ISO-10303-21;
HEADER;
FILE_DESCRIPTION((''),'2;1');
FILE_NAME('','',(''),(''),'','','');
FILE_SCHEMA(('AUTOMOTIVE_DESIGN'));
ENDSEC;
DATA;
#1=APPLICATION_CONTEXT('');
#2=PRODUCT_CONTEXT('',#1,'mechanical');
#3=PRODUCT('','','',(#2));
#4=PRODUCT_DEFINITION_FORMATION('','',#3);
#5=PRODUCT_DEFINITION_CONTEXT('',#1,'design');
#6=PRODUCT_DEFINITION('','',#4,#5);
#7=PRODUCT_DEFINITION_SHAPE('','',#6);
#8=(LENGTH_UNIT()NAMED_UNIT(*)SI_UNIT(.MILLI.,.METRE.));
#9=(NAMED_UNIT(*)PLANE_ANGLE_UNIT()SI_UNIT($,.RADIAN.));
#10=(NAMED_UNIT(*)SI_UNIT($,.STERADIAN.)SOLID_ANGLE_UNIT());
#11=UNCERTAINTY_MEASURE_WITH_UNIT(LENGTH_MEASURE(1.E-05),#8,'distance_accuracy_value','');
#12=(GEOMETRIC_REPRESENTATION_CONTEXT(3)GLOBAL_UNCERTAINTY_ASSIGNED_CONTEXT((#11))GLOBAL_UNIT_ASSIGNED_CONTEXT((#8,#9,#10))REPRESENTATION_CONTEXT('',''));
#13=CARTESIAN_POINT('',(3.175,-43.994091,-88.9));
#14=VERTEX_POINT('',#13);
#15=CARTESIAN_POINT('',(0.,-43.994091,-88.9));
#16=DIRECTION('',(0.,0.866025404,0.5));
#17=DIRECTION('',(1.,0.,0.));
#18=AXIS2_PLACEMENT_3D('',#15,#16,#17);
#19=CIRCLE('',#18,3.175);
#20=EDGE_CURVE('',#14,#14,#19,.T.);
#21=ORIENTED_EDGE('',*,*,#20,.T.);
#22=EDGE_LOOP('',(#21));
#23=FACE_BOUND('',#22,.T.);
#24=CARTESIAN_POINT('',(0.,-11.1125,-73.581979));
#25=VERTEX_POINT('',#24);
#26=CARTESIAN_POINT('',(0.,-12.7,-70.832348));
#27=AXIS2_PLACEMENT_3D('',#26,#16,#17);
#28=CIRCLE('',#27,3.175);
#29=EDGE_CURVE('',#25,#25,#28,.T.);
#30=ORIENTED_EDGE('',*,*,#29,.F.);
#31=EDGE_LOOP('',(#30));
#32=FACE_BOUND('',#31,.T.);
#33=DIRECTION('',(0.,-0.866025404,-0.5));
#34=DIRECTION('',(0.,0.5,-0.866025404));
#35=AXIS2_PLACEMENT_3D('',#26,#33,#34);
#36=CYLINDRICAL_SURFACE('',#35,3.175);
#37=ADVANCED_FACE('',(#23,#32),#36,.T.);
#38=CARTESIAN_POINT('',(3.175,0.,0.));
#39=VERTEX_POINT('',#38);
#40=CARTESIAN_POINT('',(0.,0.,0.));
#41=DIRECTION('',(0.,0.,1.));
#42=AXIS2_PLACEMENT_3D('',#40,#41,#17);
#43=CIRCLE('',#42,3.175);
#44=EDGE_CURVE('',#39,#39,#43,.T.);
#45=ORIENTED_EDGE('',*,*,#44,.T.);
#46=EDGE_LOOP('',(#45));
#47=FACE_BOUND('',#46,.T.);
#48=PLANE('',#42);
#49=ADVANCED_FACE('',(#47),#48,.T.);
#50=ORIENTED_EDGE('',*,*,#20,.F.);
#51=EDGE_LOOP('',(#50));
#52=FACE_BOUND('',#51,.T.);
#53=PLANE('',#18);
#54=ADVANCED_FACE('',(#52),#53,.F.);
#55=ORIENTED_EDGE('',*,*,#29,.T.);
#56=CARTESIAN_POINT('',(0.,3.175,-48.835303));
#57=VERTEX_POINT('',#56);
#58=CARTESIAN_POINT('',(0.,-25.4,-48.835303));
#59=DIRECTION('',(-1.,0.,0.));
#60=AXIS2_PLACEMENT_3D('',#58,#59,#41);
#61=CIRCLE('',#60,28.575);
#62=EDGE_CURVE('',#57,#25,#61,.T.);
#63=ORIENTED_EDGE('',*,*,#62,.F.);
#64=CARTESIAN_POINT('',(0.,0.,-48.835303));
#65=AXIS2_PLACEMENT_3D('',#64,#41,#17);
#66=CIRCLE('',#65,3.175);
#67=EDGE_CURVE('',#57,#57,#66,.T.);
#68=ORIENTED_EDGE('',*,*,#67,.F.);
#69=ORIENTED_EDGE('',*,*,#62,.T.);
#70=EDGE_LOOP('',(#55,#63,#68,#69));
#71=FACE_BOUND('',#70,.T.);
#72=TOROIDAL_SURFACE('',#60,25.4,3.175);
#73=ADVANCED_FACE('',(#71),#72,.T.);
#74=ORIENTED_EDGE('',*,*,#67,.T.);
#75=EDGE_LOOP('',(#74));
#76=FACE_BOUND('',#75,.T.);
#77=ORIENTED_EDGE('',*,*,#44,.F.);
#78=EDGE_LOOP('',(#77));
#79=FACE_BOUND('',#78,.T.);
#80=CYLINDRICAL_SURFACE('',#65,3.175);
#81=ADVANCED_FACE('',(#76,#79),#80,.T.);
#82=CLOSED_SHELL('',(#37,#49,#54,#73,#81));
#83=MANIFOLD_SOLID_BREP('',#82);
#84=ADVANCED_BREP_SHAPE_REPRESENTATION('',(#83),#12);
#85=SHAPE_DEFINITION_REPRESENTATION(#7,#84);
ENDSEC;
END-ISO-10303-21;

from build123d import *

# Parameters (mm, degrees)
SKETCH2_R = 3.175


with BuildPart() as part:
    # Sweep1: sweep along a path in Sketch4
    with BuildLine(Plane(origin=(0, 0, 0), x_dir=(0, 0, -1), z_dir=(1, 0, 0))) as sweep1_path:
        Line((0, 0), (48.835303163, 0))
        ThreePointArc((48.835303163, 0), (61.535303163, -3.402954744), (70.832348419, -12.7))
        Line((70.832348419, -12.7), (88.9, -43.994090512))
    # Sketch2 → Sweep1 (sweep)
    with BuildSketch(Plane.XY):
        Circle(SKETCH2_R)
    sweep(path=sweep1_path.line)


solid = part.part
